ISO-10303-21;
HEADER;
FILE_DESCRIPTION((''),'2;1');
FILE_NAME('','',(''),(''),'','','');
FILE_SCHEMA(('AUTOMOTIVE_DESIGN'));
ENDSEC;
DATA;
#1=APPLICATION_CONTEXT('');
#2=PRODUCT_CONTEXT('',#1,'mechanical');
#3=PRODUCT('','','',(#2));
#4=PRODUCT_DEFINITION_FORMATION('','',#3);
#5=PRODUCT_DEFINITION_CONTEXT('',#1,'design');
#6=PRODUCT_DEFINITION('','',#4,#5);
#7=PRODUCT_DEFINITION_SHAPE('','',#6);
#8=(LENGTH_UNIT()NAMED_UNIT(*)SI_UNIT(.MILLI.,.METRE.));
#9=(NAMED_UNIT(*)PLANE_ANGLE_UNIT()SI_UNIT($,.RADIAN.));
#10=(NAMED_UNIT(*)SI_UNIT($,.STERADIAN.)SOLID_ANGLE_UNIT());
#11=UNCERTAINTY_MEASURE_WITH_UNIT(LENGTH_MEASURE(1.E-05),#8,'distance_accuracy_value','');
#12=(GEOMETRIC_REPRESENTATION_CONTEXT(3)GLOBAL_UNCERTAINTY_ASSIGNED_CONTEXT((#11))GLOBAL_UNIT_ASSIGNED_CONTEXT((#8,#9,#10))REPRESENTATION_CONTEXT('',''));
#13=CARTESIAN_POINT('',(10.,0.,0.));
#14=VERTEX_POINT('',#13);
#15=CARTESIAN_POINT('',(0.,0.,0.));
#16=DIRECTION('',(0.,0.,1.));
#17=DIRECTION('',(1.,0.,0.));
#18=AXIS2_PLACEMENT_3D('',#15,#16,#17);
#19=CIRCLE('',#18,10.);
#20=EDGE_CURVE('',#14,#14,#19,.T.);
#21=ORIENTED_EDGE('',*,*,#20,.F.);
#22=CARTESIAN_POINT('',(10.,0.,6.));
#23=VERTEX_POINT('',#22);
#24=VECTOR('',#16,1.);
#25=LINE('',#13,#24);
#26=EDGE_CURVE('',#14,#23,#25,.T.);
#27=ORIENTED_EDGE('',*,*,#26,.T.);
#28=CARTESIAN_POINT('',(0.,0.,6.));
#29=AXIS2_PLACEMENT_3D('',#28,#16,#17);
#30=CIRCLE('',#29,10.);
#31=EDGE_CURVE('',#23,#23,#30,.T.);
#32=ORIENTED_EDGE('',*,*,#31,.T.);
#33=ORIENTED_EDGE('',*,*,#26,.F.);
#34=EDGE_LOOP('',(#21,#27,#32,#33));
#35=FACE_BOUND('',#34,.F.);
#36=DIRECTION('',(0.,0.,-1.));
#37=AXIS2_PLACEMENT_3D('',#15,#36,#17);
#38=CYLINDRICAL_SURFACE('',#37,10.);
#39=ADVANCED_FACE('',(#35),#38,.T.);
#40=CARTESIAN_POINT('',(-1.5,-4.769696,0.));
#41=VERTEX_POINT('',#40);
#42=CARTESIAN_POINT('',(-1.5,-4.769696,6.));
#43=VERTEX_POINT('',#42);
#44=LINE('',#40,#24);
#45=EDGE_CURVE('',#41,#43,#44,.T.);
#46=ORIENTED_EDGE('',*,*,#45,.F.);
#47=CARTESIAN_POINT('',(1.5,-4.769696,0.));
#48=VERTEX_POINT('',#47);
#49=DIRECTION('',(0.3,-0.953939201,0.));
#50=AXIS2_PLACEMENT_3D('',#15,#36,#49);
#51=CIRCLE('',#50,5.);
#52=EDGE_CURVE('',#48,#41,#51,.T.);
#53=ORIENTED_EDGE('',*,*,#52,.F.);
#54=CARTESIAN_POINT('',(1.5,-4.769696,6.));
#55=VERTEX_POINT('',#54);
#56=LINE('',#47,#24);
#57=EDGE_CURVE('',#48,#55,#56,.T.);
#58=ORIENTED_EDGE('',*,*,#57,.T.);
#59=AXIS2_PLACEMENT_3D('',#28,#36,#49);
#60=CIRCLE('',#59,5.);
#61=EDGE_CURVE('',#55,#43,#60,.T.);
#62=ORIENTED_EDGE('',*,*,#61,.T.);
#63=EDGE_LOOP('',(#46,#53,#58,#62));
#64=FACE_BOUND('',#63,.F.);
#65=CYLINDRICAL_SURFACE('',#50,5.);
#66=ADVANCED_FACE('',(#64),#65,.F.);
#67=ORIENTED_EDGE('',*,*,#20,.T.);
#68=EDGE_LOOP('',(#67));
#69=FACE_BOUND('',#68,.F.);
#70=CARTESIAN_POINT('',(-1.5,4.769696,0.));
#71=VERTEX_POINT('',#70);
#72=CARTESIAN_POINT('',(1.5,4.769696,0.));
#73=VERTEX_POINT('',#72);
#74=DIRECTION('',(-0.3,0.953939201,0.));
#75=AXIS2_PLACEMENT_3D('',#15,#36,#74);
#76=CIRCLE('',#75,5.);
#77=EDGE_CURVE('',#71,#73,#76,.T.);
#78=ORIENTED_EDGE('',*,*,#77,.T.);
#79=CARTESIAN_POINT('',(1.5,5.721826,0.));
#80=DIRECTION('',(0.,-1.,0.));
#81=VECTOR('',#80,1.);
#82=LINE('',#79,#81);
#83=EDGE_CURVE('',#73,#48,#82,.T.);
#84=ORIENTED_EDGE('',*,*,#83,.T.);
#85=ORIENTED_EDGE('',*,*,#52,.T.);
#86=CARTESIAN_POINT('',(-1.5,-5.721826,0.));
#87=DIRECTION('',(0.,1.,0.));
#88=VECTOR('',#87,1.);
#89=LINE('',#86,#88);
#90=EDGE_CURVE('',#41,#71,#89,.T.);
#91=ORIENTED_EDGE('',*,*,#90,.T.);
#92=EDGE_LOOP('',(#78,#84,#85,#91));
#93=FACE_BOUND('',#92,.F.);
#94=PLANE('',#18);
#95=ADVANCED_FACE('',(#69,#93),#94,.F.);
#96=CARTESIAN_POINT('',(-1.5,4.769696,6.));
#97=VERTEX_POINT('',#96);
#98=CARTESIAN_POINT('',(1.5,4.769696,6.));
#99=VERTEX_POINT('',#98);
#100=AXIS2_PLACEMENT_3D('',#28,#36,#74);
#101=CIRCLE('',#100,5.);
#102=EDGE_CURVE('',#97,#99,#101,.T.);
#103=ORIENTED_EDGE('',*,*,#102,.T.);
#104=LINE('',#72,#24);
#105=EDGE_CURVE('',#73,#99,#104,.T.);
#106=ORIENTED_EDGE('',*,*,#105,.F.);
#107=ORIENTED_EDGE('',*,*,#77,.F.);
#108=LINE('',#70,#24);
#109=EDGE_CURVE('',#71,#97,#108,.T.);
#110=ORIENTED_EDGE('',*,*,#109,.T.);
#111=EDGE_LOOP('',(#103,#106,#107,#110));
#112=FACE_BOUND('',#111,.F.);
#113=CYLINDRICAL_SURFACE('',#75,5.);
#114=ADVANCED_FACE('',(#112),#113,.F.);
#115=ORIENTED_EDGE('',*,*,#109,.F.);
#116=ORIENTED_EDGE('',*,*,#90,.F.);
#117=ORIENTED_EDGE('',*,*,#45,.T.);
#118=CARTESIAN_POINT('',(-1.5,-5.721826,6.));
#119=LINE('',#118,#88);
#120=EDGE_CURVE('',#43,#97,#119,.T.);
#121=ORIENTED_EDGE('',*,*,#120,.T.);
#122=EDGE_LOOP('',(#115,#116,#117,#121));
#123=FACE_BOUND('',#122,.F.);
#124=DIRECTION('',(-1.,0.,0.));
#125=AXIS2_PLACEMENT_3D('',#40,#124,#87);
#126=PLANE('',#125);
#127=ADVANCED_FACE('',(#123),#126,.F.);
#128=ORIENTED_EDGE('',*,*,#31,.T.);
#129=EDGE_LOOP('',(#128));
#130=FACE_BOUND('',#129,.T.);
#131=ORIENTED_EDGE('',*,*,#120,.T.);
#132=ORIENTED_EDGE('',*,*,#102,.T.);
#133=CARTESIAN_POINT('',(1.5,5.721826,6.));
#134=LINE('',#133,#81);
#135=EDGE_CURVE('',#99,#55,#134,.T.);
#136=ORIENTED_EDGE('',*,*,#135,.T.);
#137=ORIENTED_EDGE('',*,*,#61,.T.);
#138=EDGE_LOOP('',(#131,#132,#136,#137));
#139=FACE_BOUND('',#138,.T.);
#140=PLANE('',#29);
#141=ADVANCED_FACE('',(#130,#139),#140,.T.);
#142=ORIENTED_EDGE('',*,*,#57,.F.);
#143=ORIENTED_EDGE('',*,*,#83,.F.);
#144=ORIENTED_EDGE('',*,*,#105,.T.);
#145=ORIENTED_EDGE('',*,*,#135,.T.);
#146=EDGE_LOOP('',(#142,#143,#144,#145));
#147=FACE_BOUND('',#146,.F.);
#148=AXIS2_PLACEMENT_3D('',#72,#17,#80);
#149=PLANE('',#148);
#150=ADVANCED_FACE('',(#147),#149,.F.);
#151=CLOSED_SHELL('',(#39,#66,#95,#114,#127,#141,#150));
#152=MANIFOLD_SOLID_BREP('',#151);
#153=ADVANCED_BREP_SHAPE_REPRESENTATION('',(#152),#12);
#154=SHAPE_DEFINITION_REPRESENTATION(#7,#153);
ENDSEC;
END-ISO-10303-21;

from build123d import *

# Parameters (mm, degrees)
F0_R     = 10
F1_DEPTH = 6


with BuildPart() as f1:
    # F0 (on Top) → F1 (new body)
    with BuildSketch(Plane.XY):
        Circle(F0_R)
        with BuildLine():
            ThreePointArc((1.5, 4.7696960071), (4.0311288741, 2.9580398915), (5, 0))
            ThreePointArc((5, 0), (4.0311288741, -2.9580398915), (1.5, -4.7696960071))
            Line((1.5, -4.7696960071), (1.5, -5.7218258735))
            Line((1.5, -5.7218258735), (-1.5, -5.7218258735))
            Line((-1.5, -5.7218258735), (-1.5, -4.7696960071))
            ThreePointArc((-1.5, -4.7696960071), (-5, 0), (-1.5, 4.7696960071))
            Line((-1.5, 4.7696960071), (-1.5, 5.7218258735))
            Line((-1.5, 5.7218258735), (1.5, 5.7218258735))
            Line((1.5, 5.7218258735), (1.5, 4.7696960071))
        make_face(mode=Mode.SUBTRACT)
        with BuildLine():
            Line((-1.5, -4.7696960071), (-1.5, 4.7696960071))
            ThreePointArc((-1.5, 4.7696960071), (-5, 0), (-1.5, -4.7696960071))
        make_face()
        with BuildLine():
            ThreePointArc((1.5, -4.7696960071), (4.0311288741, -2.9580398915), (5, 0))
            ThreePointArc((5, 0), (4.0311288741, 2.9580398915), (1.5, 4.7696960071))
            Line((1.5, 4.7696960071), (1.5, -4.7696960071))
        make_face()
        with BuildLine():
            ThreePointArc((-1.5, 4.7696960071), (0, 5), (1.5, 4.7696960071))
            Line((1.5, 4.7696960071), (1.5, 5.7218258735))
            Line((1.5, 5.7218258735), (-1.5, 5.7218258735))
            Line((-1.5, 5.7218258735), (-1.5, 4.7696960071))
        make_face()
        with BuildLine():
            Line((1.5, -5.7218258735), (1.5, -4.7696960071))
            ThreePointArc((1.5, -4.7696960071), (0, -5), (-1.5, -4.7696960071))
            Line((-1.5, -4.7696960071), (-1.5, -5.7218258735))
            Line((-1.5, -5.7218258735), (1.5, -5.7218258735))
        make_face()
    extrude(amount=F1_DEPTH)


solid = f1.part
